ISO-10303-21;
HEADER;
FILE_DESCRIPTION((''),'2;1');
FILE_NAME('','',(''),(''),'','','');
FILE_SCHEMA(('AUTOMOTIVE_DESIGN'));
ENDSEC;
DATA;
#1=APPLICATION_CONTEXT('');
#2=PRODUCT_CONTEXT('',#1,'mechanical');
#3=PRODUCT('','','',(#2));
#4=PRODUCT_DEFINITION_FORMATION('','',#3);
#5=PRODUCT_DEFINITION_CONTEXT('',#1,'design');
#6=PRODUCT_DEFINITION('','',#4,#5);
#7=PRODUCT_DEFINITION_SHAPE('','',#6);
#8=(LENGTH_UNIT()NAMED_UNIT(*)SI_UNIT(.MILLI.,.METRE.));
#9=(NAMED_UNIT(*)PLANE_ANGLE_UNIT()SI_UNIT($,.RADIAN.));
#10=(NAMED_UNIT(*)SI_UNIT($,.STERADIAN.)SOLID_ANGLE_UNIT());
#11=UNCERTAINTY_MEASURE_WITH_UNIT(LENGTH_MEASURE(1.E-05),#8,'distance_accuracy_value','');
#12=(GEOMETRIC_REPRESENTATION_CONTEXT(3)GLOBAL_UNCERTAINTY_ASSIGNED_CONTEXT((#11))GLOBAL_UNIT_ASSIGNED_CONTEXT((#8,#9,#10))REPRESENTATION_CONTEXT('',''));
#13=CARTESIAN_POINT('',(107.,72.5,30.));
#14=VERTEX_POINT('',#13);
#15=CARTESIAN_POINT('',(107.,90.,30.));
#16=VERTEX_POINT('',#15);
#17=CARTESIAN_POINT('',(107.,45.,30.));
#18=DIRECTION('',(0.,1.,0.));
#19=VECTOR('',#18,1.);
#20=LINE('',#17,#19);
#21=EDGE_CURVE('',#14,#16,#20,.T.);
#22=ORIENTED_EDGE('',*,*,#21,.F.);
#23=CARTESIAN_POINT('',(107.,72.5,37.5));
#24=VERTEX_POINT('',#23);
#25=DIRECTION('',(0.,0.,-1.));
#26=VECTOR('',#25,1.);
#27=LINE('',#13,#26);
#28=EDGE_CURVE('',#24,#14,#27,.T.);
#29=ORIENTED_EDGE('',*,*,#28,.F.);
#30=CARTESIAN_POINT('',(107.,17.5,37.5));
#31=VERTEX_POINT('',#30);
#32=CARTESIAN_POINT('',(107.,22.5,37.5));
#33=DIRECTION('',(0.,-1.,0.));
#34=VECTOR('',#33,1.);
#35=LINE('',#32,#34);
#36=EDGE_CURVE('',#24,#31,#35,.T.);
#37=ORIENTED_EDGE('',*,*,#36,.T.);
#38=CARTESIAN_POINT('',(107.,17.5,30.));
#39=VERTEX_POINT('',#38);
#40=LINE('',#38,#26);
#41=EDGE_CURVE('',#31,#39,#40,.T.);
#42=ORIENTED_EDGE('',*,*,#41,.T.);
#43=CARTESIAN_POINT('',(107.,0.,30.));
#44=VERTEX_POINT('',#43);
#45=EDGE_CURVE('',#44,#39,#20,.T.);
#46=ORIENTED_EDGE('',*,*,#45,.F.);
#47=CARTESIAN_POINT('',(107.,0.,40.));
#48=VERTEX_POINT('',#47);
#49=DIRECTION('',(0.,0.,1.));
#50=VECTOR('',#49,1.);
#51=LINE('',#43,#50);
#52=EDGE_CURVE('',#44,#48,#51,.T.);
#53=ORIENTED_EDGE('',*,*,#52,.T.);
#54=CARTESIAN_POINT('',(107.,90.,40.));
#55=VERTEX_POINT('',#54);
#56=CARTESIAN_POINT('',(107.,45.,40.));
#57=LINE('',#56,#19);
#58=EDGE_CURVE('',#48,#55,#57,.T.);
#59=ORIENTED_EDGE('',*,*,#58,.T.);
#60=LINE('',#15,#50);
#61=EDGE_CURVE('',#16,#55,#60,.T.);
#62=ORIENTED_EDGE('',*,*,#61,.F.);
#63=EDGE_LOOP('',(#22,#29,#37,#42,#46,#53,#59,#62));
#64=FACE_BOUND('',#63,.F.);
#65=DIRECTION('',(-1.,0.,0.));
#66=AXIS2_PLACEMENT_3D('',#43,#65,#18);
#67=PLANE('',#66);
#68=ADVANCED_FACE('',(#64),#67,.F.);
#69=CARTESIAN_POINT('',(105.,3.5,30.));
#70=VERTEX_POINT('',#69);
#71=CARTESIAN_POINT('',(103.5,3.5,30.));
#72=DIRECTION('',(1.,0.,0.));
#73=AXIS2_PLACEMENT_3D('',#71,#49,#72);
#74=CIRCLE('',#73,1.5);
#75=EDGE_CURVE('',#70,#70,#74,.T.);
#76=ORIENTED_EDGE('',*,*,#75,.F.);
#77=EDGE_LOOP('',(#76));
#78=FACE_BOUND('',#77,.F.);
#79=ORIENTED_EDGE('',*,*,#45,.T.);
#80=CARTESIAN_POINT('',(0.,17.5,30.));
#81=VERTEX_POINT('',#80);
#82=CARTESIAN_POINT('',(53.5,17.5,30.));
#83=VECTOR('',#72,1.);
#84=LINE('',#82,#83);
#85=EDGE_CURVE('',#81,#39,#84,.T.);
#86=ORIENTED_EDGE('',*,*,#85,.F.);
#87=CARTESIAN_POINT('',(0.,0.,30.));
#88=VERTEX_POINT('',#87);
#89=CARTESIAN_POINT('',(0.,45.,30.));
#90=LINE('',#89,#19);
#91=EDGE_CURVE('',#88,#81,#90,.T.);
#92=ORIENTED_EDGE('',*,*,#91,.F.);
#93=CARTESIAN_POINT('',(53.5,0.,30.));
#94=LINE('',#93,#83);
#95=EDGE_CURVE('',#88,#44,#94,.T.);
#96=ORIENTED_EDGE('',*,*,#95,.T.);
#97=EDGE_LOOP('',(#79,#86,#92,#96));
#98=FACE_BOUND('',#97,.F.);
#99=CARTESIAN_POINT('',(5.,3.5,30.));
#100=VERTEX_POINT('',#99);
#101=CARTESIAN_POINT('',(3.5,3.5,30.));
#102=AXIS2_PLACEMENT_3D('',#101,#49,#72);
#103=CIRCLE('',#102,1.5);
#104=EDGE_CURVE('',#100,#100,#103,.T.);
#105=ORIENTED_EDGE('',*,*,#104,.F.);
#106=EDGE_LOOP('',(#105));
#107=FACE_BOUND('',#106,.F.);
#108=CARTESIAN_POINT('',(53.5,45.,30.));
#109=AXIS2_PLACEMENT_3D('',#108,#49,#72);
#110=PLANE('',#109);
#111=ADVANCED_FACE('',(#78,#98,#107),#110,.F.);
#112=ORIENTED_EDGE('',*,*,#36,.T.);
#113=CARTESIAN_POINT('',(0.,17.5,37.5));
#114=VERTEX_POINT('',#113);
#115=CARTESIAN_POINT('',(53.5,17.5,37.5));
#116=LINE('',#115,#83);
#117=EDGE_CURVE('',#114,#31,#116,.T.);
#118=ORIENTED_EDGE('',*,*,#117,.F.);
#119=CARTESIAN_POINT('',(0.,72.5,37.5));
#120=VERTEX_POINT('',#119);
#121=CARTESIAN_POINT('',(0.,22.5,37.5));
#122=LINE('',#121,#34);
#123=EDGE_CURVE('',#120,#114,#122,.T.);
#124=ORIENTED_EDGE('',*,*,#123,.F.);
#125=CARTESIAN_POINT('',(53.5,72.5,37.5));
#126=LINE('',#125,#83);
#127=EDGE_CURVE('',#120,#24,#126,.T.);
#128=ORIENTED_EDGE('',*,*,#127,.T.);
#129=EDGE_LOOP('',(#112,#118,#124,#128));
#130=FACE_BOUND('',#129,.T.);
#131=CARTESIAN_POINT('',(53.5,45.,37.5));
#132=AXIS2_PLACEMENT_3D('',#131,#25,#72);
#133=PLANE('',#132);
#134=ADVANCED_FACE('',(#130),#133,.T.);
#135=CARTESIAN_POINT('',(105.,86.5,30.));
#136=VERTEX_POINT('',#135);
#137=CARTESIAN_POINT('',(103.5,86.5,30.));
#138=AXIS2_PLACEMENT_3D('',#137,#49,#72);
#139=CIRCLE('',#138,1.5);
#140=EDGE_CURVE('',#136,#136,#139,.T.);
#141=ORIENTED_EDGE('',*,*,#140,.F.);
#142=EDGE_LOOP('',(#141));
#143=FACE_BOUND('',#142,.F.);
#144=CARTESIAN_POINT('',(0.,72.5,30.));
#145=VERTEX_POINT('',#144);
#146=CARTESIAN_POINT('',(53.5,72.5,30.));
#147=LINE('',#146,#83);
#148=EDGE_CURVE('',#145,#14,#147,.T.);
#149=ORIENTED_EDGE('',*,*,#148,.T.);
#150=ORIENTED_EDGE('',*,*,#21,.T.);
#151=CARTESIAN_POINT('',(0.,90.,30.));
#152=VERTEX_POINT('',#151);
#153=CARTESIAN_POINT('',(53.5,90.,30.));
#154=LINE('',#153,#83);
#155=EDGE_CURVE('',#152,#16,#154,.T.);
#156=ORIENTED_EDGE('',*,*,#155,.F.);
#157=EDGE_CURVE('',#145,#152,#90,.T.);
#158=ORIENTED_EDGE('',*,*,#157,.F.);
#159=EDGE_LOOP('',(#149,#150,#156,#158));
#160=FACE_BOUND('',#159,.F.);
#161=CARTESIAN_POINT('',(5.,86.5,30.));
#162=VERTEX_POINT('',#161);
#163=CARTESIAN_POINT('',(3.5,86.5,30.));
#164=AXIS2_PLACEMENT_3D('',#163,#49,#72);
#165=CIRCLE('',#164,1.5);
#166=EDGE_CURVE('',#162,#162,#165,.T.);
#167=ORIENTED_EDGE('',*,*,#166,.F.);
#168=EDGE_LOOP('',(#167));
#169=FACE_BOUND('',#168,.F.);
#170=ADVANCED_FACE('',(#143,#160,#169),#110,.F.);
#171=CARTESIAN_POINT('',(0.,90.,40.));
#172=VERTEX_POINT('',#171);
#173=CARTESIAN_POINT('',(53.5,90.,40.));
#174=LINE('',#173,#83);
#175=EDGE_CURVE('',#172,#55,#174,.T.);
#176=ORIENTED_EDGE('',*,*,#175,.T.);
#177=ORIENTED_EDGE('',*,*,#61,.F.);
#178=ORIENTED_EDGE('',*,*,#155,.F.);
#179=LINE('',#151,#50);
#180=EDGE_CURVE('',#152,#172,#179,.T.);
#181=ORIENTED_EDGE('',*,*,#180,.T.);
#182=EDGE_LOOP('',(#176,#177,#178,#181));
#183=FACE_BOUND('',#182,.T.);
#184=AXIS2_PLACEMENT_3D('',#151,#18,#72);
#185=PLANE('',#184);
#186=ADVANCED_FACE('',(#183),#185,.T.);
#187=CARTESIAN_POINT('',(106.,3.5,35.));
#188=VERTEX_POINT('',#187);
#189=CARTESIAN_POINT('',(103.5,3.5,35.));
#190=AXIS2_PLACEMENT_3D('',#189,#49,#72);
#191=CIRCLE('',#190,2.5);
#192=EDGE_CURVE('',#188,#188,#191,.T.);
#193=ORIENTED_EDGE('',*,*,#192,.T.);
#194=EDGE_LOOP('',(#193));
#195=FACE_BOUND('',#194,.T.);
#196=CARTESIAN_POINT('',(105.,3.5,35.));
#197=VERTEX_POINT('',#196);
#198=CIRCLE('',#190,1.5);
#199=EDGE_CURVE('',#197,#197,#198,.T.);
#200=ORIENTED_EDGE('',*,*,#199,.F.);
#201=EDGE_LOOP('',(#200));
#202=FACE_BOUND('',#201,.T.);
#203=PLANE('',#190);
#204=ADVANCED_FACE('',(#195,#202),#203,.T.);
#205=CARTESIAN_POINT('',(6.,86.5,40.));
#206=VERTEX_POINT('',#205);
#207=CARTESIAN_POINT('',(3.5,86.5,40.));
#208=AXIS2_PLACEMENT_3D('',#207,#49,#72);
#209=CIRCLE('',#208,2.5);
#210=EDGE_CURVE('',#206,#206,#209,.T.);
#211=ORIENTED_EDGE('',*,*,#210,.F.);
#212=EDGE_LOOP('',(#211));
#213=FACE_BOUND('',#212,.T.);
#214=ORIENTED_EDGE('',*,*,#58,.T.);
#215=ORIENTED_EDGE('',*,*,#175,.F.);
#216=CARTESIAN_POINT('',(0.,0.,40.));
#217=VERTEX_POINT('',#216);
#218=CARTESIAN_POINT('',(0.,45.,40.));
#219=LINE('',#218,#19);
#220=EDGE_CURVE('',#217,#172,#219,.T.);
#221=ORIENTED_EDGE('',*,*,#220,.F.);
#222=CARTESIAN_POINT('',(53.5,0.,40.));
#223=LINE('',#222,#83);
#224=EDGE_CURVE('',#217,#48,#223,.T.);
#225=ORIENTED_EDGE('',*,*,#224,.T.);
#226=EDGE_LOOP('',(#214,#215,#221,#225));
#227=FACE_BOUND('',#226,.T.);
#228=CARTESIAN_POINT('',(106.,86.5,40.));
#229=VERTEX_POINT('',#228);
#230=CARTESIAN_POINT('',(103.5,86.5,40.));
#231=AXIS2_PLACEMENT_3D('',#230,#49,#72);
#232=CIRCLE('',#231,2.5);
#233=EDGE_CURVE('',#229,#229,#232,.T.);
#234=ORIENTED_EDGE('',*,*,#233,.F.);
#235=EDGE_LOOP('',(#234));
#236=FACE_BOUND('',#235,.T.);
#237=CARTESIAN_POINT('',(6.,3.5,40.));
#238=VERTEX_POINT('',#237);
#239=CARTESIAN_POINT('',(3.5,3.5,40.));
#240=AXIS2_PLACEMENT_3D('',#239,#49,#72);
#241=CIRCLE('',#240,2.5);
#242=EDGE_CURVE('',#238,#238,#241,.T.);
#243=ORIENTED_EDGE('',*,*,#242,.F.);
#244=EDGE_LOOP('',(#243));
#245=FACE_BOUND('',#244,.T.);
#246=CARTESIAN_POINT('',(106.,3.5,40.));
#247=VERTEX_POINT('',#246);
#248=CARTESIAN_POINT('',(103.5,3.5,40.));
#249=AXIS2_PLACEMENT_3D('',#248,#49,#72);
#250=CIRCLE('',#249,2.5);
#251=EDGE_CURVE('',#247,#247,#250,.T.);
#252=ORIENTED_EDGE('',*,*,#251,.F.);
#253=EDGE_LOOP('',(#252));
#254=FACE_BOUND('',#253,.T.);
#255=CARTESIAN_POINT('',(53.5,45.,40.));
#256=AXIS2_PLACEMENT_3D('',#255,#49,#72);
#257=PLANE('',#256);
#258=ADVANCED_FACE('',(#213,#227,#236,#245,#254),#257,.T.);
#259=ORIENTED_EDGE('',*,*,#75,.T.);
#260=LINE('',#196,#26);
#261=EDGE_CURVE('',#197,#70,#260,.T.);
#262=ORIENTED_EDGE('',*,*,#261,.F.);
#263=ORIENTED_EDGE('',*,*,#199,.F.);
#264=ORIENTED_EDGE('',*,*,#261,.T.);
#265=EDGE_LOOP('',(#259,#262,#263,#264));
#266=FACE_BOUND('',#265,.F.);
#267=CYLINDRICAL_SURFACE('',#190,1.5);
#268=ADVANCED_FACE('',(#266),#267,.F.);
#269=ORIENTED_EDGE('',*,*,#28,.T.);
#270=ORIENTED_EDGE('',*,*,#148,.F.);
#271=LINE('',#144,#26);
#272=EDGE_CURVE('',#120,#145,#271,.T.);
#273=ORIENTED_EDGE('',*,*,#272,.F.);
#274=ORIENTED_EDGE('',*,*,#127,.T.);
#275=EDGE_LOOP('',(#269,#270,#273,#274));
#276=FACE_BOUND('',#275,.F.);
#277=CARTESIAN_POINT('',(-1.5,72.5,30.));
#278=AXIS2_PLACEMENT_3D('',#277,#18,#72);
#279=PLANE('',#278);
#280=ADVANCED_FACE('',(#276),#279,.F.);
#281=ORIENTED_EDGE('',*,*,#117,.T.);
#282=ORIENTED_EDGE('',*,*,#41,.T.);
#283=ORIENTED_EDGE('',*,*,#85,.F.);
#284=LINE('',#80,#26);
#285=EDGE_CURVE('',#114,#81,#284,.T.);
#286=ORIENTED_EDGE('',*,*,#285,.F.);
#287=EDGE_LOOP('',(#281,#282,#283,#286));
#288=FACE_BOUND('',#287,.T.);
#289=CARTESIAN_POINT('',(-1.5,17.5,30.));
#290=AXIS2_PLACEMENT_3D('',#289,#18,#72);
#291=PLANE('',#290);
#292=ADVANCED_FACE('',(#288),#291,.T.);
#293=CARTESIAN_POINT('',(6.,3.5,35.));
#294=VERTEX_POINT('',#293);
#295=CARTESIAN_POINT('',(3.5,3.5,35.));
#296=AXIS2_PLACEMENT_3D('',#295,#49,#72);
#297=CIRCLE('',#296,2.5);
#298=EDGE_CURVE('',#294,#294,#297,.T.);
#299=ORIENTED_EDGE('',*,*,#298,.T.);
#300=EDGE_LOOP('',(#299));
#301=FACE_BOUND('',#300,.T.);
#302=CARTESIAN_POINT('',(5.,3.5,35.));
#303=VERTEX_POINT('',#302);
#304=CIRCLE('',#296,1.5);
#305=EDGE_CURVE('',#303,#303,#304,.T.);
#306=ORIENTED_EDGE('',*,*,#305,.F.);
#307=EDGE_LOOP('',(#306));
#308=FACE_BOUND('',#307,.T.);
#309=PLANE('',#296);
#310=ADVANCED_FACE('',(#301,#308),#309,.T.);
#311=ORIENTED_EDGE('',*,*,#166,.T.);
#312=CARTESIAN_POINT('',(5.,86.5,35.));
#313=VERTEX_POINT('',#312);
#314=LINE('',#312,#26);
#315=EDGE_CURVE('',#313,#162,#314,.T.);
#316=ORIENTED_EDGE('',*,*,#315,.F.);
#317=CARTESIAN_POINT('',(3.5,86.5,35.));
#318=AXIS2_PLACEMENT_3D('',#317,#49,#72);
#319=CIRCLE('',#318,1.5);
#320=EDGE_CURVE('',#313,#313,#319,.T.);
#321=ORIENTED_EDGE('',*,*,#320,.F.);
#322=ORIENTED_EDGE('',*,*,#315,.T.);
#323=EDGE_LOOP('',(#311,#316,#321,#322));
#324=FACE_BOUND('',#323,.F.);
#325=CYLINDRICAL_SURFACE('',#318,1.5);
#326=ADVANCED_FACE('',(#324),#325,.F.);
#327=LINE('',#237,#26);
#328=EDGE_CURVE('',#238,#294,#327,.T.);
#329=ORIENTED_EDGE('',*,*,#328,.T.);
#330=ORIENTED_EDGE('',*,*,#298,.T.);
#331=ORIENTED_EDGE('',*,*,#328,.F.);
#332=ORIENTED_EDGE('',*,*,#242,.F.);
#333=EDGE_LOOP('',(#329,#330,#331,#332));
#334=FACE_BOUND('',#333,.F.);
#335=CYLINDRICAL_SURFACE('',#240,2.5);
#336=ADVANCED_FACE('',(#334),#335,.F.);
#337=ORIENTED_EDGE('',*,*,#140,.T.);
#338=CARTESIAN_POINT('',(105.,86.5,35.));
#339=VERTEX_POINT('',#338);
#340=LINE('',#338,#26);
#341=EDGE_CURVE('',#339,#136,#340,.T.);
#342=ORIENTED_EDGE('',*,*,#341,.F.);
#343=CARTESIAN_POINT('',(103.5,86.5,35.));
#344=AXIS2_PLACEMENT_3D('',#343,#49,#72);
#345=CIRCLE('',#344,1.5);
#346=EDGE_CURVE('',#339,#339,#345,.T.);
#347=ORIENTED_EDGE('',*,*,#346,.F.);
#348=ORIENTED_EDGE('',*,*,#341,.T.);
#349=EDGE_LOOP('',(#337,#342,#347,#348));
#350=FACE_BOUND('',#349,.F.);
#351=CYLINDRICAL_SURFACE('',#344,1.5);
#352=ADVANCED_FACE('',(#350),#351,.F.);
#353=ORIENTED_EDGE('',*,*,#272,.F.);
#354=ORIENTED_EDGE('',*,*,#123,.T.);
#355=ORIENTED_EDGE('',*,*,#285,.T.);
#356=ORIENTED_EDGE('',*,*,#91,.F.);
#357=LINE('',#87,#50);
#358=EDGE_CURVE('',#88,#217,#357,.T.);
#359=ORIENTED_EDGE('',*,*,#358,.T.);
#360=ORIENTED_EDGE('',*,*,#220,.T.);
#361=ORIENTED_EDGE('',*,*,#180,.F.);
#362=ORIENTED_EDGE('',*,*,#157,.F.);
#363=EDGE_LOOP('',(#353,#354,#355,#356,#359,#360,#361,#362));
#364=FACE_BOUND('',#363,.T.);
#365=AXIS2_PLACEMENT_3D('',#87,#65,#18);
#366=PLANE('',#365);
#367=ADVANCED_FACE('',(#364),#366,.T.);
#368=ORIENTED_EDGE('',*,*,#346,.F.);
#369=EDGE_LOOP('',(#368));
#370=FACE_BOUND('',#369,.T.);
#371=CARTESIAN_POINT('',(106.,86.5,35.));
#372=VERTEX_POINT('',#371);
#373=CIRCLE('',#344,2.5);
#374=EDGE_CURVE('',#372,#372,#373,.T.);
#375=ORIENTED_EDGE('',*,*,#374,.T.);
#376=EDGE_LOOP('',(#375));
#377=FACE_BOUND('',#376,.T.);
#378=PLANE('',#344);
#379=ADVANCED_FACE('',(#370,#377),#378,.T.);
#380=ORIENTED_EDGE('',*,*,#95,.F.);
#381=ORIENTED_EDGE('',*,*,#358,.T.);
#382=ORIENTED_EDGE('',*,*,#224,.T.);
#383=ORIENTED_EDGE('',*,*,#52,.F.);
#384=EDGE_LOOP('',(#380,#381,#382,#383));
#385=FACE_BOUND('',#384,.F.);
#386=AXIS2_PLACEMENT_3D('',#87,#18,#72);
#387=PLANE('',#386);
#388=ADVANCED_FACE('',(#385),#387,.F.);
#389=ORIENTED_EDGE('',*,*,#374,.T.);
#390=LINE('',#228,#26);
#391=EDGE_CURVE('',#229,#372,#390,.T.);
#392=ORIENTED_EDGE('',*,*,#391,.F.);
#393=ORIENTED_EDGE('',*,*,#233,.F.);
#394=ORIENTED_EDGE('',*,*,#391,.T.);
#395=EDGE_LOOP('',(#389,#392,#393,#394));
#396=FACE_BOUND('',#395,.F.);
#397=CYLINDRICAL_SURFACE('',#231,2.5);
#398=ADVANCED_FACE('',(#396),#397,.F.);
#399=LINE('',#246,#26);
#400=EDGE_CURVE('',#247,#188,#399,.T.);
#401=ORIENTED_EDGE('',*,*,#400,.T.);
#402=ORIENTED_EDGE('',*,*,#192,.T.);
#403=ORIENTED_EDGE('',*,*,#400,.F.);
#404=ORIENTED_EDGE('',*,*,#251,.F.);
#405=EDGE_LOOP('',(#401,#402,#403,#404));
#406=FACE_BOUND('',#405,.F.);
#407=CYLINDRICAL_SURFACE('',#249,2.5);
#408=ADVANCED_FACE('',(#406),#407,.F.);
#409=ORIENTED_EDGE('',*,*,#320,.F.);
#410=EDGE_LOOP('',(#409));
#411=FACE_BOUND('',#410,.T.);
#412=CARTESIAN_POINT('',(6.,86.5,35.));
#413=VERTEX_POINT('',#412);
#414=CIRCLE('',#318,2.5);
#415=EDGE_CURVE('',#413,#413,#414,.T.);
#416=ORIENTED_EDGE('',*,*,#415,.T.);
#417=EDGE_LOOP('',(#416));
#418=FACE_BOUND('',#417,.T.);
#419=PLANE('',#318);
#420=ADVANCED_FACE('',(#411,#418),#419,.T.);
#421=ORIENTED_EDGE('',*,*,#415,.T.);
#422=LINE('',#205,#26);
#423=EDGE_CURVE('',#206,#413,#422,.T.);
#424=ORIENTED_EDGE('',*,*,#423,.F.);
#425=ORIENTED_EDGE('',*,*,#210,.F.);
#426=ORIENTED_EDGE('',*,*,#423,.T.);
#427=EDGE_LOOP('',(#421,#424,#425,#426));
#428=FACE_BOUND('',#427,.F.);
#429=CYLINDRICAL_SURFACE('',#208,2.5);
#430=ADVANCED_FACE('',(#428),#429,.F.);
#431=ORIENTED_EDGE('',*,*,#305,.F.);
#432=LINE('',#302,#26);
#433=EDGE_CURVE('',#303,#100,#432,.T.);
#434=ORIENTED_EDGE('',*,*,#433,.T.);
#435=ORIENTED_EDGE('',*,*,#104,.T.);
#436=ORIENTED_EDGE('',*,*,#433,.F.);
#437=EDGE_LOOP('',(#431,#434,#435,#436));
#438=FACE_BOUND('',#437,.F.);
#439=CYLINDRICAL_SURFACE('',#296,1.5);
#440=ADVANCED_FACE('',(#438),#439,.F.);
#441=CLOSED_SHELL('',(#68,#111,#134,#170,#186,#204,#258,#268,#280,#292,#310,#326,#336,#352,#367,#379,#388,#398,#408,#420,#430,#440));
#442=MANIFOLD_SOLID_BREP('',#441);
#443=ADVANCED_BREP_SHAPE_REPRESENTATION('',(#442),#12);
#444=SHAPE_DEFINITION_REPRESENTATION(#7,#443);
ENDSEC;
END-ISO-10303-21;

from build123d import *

# Parameters (mm, degrees)
SKETCH005_W                        = 107
SKETCH005_H                        = 90
PAD003_DEPTH                       = 10
SKETCH008_R                        = 2.5
POCKET004_DEPTH                    = 5
SKETCH009_R                        = 1.5
POCKET005_DEPTH                    = 285.350782
SKETCH008_LINEARPATTERN_2_R        = 2.5
POCKET004_LINEARPATTERN_2_DEPTH    = 5
LINEARPATTERN001_COUNT             = 2
LINEARPATTERN001_PITCH             = 83
SKETCH009_LINEARPATTERN002_2_R     = 1.5
POCKET005_LINEARPATTERN002_2_DEPTH = 285.350782
LINEARPATTERN003_COUNT             = 2
LINEARPATTERN003_PITCH             = 83
SKETCH012_W                        = 110
SKETCH012_H                        = 55
POCKET008_DEPTH                    = 7.5


with BuildPart() as part:
    # Sketch005 → Pad003 (new body)
    with BuildSketch(Plane.XY):
        with Locations((53.5, 45)):
            Rectangle(SKETCH005_W, SKETCH005_H)
    extrude(amount=PAD003_DEPTH)

    # Sketch008 (on Face6 of Pad003) → Pocket004 (cut)
    with BuildSketch(Plane.XY.offset(10)):
        with Locations((3.5, 86.5)):
            Circle(SKETCH008_R)
    pocket004 = extrude(amount=-POCKET004_DEPTH, mode=Mode.SUBTRACT)

    # Sketch009 (on Face8 of Pocket004) → Pocket005 (cut, through all)
    with BuildSketch(Plane.XY.offset(5)):
        with Locations((3.5, 86.5)):
            Circle(SKETCH009_R)
    pocket005 = extrude(amount=-POCKET005_DEPTH, mode=Mode.SUBTRACT)

    # Sketch008 LinearPattern 2 → Pocket004 LinearPattern 2 (cut)
    with BuildSketch(Plane(origin=(100, 0, 10), x_dir=(1, 0, 0), z_dir=(0, 0, 1))):
        with Locations((3.5, 86.5)):
            Circle(SKETCH008_LINEARPATTERN_2_R)
    pocket004_linearpattern_2 = extrude(amount=-POCKET004_LINEARPATTERN_2_DEPTH, mode=Mode.SUBTRACT)

    # LinearPattern001: Pocket004, Pocket004 LinearPattern 2 ×2
    with Locations(*[(0, -i * LINEARPATTERN001_PITCH, 0) for i in range(1, LINEARPATTERN001_COUNT)]):
        add(pocket004, mode=Mode.SUBTRACT)
        add(pocket004_linearpattern_2, mode=Mode.SUBTRACT)

    # Sketch009 LinearPattern002 2 → Pocket005 LinearPattern002 2 (cut, through all)
    with BuildSketch(Plane(origin=(100, 0, 5), x_dir=(1, 0, 0), z_dir=(0, 0, 1))):
        with Locations((3.5, 86.5)):
            Circle(SKETCH009_LINEARPATTERN002_2_R)
    pocket005_linearpattern002_2 = extrude(amount=-POCKET005_LINEARPATTERN002_2_DEPTH, mode=Mode.SUBTRACT)

    # LinearPattern003: Pocket005, Pocket005 LinearPattern002 2 ×2
    with Locations(*[(0, -i * LINEARPATTERN003_PITCH, 0) for i in range(1, LINEARPATTERN003_COUNT)]):
        add(pocket005, mode=Mode.SUBTRACT)
        add(pocket005_linearpattern002_2, mode=Mode.SUBTRACT)

    # Sketch012 (on Face4 of MultiTransform001) → Pocket008 (cut)
    with BuildSketch(Plane(origin=(0, 0, 0), x_dir=(1, 0, 0), z_dir=(0, 0, -1))):
        with Locations((53.5, -45)):
            Rectangle(SKETCH012_W, SKETCH012_H)
    extrude(amount=-POCKET008_DEPTH, mode=Mode.SUBTRACT)


with BuildPart() as part_1:
    # Body001 placement: moved
    add(part.part.moved(Location((0, 0, 30))))


solid = part_1.part
